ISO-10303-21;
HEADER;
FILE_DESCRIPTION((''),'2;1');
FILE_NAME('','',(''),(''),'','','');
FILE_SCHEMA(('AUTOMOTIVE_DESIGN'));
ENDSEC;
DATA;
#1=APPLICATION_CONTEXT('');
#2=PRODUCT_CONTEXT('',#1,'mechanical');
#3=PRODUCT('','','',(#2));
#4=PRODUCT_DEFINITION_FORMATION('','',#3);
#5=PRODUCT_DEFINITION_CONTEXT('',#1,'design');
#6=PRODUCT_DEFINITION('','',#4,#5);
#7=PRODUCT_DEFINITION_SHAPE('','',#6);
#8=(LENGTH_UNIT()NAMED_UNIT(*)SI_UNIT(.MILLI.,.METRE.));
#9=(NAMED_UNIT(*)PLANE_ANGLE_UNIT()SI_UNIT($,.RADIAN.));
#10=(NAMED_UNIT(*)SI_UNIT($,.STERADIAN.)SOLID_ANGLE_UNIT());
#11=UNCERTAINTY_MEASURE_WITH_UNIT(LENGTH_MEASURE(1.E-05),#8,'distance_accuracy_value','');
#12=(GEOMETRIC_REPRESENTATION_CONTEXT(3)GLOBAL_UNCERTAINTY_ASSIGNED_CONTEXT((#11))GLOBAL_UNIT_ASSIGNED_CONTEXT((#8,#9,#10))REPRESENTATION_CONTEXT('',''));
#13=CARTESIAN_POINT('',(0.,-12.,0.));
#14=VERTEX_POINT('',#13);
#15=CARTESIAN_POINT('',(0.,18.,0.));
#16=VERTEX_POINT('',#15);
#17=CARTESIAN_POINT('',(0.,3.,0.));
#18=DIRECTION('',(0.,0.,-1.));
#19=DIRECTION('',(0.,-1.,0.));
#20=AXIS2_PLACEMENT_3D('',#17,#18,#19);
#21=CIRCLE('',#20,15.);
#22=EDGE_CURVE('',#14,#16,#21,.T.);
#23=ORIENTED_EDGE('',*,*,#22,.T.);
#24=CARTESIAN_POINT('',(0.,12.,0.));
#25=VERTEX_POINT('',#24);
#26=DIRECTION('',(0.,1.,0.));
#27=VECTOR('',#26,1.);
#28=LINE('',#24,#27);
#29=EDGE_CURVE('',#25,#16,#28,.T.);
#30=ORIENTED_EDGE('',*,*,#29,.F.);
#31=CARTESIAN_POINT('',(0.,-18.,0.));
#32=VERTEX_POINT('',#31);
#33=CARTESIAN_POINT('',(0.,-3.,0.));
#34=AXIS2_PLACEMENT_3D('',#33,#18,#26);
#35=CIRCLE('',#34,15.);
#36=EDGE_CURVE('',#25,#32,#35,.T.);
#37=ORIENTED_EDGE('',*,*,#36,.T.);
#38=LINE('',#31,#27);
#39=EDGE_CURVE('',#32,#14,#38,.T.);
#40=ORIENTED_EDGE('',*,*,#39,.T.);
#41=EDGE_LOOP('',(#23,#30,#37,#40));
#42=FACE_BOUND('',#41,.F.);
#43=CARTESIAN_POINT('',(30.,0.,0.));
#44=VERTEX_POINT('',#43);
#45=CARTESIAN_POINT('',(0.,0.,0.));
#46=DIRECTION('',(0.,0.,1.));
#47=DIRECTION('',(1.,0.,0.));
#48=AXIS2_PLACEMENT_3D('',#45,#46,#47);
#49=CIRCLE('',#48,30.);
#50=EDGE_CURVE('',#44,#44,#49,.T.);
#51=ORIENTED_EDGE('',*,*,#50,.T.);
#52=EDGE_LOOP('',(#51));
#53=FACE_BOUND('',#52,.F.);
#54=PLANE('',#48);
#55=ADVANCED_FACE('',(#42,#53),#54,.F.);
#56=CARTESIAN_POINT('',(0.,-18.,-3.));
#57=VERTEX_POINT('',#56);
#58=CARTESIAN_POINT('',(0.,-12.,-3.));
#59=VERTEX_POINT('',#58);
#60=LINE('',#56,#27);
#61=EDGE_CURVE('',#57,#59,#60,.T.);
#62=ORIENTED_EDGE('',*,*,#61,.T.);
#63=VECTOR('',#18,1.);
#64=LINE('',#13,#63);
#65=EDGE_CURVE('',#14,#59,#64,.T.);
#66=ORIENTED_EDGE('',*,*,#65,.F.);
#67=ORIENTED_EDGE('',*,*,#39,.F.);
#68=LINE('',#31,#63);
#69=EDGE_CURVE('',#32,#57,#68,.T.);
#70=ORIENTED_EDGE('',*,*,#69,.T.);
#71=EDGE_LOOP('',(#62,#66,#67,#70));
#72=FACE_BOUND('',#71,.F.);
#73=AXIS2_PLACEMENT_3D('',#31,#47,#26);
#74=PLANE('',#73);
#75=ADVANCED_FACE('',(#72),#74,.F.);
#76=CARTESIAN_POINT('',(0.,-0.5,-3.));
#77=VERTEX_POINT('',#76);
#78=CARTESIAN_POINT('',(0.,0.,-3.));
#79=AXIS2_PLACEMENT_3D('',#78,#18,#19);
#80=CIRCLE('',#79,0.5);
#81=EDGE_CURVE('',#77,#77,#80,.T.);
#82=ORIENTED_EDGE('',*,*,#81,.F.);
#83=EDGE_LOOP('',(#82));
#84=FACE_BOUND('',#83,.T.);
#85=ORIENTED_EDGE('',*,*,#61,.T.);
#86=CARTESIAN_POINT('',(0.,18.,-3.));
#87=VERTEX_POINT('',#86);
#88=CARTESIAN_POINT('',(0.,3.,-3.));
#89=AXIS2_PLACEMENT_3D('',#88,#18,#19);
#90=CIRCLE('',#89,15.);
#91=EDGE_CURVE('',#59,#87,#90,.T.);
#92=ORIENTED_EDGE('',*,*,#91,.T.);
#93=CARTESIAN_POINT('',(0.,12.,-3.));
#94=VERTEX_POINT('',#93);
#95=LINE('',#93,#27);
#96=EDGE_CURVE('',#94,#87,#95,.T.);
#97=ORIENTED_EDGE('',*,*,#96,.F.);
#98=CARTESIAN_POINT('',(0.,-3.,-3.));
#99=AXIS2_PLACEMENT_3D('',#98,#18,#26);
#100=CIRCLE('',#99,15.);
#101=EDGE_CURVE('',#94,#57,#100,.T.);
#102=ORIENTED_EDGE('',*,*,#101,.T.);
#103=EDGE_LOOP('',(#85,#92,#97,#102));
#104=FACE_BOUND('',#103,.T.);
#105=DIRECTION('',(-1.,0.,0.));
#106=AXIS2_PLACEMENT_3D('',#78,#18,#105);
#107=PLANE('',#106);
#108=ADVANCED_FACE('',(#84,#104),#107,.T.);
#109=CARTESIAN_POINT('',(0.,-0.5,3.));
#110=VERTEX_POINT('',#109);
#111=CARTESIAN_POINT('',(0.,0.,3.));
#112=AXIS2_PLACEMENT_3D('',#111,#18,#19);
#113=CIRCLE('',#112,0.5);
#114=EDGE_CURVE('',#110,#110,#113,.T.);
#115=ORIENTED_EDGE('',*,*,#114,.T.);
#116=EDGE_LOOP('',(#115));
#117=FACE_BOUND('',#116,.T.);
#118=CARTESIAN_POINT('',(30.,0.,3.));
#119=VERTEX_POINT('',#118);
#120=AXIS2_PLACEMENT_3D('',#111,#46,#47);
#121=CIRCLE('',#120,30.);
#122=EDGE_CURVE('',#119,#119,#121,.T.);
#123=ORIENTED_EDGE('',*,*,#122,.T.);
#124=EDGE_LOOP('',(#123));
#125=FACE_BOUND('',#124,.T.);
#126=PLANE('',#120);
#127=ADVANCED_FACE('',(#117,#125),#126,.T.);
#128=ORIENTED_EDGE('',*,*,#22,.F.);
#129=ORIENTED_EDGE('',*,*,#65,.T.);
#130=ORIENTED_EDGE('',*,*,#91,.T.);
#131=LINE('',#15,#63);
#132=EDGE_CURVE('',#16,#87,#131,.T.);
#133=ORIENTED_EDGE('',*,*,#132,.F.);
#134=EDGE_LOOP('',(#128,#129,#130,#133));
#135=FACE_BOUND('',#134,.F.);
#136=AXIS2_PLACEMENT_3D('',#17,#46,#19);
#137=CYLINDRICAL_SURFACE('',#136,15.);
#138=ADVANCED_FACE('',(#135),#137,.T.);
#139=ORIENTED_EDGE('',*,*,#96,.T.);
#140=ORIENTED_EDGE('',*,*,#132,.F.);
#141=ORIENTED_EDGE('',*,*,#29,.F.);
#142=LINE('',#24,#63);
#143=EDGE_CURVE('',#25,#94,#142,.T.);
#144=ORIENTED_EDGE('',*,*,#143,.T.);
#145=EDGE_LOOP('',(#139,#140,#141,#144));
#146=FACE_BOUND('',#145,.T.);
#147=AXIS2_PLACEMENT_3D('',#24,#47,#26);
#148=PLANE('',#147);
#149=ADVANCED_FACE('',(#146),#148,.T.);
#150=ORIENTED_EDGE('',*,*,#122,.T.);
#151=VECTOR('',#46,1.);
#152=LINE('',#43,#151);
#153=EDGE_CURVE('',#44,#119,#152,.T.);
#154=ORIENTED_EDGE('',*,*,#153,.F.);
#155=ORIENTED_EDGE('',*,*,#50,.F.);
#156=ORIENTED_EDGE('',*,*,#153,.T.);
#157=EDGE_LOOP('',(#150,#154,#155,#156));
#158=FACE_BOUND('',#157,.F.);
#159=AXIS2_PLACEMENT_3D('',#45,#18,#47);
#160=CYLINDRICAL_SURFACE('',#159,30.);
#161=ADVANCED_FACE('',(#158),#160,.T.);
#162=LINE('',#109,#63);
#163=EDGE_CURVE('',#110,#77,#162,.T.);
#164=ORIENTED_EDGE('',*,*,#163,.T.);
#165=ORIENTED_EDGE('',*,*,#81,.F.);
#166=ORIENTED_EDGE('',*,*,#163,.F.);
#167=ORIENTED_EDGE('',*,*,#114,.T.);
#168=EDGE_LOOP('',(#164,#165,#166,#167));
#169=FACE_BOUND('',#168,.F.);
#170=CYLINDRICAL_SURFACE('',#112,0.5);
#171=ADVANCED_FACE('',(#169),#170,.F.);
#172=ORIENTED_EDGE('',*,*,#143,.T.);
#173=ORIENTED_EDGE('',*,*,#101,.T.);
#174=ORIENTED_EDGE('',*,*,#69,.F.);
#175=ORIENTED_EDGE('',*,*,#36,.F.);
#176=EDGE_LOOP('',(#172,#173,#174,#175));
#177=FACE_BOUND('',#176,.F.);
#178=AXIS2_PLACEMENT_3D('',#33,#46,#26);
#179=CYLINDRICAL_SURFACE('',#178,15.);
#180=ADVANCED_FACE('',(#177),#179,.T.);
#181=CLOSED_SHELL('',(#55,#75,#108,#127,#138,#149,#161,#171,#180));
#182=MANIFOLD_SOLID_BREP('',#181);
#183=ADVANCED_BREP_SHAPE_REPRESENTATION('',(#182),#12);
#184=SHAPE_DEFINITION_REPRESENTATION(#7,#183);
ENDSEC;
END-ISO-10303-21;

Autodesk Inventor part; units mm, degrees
ref_plane "YZ Plane" through (0, 0, 0) normal (1, 0, 0) x (0, 1, 0)
ref_plane "XZ Plane" through (0, 0, 0) normal (0, 1, 0) x (-1, 0, 0)
ref_plane "XY Plane" through (0, 0, 0) normal (0, 0, 1) x (1, 0, 0)
sketch "Sketch1" plane through (0, 0, 0) normal (0, 0, 1) x (1, 0, 0)
  circle A0 centre (0, 0) radius 30
  dimension "d0" = 60
extrude "Extrusion1" add sketch "Sketch1" along normal blind 3
sketch "Sketch2" plane through (0, 0, 0) normal (0, 0, -1) x (-1, 0, 0)
  arc A0 (0, 12) -> (0, -18) centre (0, -3) ccw
  arc A1 (0, -12) -> (0, 18) centre (0, 3) ccw
  circle A2 centre (0, 0) radius 30 projected
  line L0 (0, -18) -> (0, -12)
  line L1 (0, 12) -> (0, 18)
  dimension "d3" = 15
  dimension "d5" = 3
  dimension "d6" = 3
extrude "Extrusion2" add sketch "Sketch2" along normal blind 3 contours L1 A1 L0 A0
sketch "Sketch3" plane through (0, 0, 3) normal (0, 0, 1) x (1, 0, 0)
  point P0 (0, 0)
  point P1 (0, 0)
hole "Hole1" at (0, 0, 3) direction (0, 0, -1) diameter 1 end through all
equation "\"d0\" = rs_diametro"
equation "\"d1\" = rs_grosor"
equation "\"d3\" = 0.5 * rs_gancho_diametro"
equation "\"d5\" = rs_gancho_diente"
equation "\"d6\" = rs_gancho_diente"
equation "\"d7\" = rs_gancho_grosor"
equation "\"d9\" = ri_ancla_diametro"
equation "\"rs_diametro\" = 60"
equation "\"rs_grosor\" = 3"
equation "\"rs_gancho_diametro\" = 30"
equation "\"rs_gancho_grosor\" = 3"
equation "\"ri_ancla_diametro\" = 1"
equation "\"rs_gancho_diente\" = 3"
properties part number "Rueda Superior"
